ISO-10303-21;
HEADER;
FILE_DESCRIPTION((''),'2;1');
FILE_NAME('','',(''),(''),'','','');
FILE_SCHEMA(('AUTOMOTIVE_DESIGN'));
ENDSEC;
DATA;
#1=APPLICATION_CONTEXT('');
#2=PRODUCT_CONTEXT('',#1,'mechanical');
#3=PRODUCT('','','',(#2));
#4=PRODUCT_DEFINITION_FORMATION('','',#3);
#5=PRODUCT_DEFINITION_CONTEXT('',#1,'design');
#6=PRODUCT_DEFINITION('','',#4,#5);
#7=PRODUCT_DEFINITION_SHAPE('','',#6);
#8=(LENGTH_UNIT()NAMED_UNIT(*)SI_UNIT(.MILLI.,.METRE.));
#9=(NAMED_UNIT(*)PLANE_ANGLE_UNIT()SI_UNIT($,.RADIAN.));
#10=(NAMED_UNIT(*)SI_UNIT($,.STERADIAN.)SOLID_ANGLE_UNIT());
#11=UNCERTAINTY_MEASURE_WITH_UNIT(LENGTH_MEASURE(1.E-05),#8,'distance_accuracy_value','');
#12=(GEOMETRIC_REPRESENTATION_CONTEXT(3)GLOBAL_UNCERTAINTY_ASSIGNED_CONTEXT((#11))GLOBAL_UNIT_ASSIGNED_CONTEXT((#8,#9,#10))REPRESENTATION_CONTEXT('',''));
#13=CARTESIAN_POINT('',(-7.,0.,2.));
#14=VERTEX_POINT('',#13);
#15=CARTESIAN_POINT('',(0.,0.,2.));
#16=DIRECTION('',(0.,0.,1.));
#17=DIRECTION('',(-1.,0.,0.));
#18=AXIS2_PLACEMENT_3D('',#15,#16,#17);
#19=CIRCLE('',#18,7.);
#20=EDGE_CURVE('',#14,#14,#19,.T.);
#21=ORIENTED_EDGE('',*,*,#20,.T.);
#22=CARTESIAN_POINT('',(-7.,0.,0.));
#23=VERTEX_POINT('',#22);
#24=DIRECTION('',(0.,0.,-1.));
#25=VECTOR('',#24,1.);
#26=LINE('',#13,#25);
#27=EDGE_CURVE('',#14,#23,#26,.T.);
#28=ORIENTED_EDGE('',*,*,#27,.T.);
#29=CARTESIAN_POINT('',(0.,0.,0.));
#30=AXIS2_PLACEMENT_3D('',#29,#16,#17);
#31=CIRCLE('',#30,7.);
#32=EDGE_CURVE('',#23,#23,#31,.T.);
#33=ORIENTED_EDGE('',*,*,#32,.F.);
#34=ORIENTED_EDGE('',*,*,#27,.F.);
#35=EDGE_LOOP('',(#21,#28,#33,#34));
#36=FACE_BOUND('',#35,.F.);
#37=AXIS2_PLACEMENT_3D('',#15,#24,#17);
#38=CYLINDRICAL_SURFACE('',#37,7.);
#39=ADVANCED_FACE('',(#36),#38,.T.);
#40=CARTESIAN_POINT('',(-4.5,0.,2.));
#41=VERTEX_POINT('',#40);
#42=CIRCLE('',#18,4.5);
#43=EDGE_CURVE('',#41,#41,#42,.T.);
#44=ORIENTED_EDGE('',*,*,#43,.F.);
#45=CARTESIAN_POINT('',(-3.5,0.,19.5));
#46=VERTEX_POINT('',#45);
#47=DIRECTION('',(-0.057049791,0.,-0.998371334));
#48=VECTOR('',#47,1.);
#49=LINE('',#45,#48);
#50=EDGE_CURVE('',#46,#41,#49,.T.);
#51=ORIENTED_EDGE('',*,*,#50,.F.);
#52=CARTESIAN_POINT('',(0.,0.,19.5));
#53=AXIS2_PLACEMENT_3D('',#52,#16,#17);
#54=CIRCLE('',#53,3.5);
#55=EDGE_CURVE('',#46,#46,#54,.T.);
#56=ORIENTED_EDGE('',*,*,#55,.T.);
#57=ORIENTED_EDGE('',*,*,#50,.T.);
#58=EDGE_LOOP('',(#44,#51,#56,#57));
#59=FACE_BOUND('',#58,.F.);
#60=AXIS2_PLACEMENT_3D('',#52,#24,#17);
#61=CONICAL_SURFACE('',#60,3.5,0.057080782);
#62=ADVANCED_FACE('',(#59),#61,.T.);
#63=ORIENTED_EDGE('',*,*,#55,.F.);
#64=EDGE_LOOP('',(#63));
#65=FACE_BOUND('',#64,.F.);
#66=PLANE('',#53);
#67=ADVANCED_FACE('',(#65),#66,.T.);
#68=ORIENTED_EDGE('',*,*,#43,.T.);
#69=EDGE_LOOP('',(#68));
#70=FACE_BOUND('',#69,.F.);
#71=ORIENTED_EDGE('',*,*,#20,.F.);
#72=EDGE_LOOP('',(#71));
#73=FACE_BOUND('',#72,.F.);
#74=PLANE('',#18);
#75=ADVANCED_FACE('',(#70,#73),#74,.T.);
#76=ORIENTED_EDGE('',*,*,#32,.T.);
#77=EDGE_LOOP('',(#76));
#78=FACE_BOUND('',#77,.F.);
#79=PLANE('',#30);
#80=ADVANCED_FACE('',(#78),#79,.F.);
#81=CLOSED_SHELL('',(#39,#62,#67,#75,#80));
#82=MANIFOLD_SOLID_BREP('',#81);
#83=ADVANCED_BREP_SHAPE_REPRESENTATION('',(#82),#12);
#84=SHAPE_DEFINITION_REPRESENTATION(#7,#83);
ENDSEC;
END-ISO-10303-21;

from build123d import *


with BuildPart() as part:
    # Sketch → Revolution (revolve)
    with BuildSketch(Plane.XZ):
        Polygon((-7, 2), (-7, 0), (0, 0), (0, 19.5), (-3.5, 19.5), (-4.5, 2), align=None)
    revolve(axis=Axis((0, 0, 0), (0, 0, 1)))


solid = part.part
